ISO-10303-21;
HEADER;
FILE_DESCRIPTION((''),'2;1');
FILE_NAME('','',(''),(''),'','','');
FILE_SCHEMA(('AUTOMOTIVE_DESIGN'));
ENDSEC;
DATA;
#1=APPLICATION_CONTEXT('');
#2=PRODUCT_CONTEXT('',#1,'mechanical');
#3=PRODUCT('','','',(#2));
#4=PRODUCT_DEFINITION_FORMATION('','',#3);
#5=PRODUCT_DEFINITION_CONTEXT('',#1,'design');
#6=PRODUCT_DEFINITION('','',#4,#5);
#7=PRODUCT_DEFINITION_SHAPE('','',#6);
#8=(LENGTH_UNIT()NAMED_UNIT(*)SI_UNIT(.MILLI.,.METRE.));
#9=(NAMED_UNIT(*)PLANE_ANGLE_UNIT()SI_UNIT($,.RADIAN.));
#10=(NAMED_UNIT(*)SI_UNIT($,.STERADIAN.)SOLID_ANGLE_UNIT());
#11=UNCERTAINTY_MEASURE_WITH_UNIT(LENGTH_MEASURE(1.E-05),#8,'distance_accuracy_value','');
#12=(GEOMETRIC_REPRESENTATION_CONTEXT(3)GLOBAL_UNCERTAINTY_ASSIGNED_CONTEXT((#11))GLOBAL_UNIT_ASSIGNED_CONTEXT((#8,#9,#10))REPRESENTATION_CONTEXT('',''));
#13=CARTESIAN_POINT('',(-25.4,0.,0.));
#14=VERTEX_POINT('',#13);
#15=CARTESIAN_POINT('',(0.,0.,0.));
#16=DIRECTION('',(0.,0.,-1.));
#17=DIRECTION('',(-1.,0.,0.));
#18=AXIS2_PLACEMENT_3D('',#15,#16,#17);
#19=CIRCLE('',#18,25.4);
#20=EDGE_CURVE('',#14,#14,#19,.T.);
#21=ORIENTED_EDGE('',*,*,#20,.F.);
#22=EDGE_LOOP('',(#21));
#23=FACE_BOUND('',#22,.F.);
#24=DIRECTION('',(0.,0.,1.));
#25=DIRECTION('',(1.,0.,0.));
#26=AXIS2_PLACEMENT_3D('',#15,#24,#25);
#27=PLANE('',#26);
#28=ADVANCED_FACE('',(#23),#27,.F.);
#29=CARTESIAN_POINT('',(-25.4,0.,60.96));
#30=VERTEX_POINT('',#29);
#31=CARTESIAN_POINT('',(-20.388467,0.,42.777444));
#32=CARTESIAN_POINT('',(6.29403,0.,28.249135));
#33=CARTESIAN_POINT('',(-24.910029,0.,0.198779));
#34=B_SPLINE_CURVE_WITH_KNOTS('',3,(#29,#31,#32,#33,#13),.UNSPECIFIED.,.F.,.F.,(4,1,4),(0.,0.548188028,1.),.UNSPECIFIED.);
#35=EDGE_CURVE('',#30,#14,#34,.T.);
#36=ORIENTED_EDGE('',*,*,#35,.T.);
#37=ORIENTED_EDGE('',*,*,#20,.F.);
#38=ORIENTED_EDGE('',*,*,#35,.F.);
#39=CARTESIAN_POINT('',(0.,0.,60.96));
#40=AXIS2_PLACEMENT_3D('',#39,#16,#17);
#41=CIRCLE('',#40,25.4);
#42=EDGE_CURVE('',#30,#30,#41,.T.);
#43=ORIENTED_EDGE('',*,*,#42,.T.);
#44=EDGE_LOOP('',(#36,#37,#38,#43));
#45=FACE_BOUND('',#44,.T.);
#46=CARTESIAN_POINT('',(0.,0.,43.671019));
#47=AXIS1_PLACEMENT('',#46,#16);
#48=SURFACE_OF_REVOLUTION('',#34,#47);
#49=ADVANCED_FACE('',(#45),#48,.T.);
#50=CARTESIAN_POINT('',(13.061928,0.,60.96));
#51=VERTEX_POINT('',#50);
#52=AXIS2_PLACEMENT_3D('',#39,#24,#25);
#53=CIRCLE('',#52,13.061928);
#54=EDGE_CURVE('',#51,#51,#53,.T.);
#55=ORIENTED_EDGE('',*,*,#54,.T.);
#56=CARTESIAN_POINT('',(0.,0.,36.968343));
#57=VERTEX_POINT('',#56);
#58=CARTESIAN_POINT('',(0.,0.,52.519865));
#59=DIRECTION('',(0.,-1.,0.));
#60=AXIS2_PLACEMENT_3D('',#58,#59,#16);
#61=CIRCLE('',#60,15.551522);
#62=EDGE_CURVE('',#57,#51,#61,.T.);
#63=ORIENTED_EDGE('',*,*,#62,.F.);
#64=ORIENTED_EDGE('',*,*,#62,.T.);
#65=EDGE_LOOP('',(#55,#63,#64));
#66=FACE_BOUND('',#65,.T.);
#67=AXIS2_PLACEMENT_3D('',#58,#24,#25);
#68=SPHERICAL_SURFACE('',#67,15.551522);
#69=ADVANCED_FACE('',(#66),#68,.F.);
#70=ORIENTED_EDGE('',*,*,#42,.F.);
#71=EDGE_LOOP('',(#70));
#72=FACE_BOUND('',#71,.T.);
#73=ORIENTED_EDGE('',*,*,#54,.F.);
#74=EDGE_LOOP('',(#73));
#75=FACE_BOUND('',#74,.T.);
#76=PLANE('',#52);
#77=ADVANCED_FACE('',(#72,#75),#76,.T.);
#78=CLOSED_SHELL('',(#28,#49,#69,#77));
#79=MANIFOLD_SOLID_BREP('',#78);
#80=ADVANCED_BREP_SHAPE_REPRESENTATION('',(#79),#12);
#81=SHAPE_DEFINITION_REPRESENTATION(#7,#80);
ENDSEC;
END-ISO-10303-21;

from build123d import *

# Parameters (mm, degrees)
F0_R     = 25.4
F1_DEPTH = 60.96


with BuildPart() as f1:
    # F0 (on Top) → F1 (new body)
    with BuildSketch(Plane.XY):
        Circle(F0_R)
    extrude(amount=F1_DEPTH)

    # F2 (on Front) → F3 (revolve, cut)
    with BuildSketch(Plane.XZ):
        with BuildLine():
            add(Edge.make_bspline(
                [(-25.4, 60.96), (-20.3884669464, 42.7774440407), (6.2940299266, 28.2491347423), (-24.9100290239, 0.1987792057), (-25.4, 0)],
                knots=[0, 0, 0, 0, 0.5481880277, 1, 1, 1, 1], degree=3))
            Line((-25.4, 60.96), (-25.4, 0))
        make_face()
    revolve(axis=Axis((0, 0, 43.6710192575), (0, 0, -1)), mode=Mode.SUBTRACT)

    # F4 (on Front) → F5 (revolve, cut)
    with BuildSketch(Plane.XZ):
        with BuildLine():
            Line((0, 65.2791708708), (0, 36.9683429599))
            ThreePointArc((0, 36.9683429599), (15.5515223742, 52.519865334), (0, 68.0713877082))
            Line((0, 68.0713877082), (0, 65.2791708708))
        make_face()
    revolve(axis=Axis((0, 0, 51.1237569153), (0, 0, -1)), mode=Mode.SUBTRACT)


solid = f1.part
